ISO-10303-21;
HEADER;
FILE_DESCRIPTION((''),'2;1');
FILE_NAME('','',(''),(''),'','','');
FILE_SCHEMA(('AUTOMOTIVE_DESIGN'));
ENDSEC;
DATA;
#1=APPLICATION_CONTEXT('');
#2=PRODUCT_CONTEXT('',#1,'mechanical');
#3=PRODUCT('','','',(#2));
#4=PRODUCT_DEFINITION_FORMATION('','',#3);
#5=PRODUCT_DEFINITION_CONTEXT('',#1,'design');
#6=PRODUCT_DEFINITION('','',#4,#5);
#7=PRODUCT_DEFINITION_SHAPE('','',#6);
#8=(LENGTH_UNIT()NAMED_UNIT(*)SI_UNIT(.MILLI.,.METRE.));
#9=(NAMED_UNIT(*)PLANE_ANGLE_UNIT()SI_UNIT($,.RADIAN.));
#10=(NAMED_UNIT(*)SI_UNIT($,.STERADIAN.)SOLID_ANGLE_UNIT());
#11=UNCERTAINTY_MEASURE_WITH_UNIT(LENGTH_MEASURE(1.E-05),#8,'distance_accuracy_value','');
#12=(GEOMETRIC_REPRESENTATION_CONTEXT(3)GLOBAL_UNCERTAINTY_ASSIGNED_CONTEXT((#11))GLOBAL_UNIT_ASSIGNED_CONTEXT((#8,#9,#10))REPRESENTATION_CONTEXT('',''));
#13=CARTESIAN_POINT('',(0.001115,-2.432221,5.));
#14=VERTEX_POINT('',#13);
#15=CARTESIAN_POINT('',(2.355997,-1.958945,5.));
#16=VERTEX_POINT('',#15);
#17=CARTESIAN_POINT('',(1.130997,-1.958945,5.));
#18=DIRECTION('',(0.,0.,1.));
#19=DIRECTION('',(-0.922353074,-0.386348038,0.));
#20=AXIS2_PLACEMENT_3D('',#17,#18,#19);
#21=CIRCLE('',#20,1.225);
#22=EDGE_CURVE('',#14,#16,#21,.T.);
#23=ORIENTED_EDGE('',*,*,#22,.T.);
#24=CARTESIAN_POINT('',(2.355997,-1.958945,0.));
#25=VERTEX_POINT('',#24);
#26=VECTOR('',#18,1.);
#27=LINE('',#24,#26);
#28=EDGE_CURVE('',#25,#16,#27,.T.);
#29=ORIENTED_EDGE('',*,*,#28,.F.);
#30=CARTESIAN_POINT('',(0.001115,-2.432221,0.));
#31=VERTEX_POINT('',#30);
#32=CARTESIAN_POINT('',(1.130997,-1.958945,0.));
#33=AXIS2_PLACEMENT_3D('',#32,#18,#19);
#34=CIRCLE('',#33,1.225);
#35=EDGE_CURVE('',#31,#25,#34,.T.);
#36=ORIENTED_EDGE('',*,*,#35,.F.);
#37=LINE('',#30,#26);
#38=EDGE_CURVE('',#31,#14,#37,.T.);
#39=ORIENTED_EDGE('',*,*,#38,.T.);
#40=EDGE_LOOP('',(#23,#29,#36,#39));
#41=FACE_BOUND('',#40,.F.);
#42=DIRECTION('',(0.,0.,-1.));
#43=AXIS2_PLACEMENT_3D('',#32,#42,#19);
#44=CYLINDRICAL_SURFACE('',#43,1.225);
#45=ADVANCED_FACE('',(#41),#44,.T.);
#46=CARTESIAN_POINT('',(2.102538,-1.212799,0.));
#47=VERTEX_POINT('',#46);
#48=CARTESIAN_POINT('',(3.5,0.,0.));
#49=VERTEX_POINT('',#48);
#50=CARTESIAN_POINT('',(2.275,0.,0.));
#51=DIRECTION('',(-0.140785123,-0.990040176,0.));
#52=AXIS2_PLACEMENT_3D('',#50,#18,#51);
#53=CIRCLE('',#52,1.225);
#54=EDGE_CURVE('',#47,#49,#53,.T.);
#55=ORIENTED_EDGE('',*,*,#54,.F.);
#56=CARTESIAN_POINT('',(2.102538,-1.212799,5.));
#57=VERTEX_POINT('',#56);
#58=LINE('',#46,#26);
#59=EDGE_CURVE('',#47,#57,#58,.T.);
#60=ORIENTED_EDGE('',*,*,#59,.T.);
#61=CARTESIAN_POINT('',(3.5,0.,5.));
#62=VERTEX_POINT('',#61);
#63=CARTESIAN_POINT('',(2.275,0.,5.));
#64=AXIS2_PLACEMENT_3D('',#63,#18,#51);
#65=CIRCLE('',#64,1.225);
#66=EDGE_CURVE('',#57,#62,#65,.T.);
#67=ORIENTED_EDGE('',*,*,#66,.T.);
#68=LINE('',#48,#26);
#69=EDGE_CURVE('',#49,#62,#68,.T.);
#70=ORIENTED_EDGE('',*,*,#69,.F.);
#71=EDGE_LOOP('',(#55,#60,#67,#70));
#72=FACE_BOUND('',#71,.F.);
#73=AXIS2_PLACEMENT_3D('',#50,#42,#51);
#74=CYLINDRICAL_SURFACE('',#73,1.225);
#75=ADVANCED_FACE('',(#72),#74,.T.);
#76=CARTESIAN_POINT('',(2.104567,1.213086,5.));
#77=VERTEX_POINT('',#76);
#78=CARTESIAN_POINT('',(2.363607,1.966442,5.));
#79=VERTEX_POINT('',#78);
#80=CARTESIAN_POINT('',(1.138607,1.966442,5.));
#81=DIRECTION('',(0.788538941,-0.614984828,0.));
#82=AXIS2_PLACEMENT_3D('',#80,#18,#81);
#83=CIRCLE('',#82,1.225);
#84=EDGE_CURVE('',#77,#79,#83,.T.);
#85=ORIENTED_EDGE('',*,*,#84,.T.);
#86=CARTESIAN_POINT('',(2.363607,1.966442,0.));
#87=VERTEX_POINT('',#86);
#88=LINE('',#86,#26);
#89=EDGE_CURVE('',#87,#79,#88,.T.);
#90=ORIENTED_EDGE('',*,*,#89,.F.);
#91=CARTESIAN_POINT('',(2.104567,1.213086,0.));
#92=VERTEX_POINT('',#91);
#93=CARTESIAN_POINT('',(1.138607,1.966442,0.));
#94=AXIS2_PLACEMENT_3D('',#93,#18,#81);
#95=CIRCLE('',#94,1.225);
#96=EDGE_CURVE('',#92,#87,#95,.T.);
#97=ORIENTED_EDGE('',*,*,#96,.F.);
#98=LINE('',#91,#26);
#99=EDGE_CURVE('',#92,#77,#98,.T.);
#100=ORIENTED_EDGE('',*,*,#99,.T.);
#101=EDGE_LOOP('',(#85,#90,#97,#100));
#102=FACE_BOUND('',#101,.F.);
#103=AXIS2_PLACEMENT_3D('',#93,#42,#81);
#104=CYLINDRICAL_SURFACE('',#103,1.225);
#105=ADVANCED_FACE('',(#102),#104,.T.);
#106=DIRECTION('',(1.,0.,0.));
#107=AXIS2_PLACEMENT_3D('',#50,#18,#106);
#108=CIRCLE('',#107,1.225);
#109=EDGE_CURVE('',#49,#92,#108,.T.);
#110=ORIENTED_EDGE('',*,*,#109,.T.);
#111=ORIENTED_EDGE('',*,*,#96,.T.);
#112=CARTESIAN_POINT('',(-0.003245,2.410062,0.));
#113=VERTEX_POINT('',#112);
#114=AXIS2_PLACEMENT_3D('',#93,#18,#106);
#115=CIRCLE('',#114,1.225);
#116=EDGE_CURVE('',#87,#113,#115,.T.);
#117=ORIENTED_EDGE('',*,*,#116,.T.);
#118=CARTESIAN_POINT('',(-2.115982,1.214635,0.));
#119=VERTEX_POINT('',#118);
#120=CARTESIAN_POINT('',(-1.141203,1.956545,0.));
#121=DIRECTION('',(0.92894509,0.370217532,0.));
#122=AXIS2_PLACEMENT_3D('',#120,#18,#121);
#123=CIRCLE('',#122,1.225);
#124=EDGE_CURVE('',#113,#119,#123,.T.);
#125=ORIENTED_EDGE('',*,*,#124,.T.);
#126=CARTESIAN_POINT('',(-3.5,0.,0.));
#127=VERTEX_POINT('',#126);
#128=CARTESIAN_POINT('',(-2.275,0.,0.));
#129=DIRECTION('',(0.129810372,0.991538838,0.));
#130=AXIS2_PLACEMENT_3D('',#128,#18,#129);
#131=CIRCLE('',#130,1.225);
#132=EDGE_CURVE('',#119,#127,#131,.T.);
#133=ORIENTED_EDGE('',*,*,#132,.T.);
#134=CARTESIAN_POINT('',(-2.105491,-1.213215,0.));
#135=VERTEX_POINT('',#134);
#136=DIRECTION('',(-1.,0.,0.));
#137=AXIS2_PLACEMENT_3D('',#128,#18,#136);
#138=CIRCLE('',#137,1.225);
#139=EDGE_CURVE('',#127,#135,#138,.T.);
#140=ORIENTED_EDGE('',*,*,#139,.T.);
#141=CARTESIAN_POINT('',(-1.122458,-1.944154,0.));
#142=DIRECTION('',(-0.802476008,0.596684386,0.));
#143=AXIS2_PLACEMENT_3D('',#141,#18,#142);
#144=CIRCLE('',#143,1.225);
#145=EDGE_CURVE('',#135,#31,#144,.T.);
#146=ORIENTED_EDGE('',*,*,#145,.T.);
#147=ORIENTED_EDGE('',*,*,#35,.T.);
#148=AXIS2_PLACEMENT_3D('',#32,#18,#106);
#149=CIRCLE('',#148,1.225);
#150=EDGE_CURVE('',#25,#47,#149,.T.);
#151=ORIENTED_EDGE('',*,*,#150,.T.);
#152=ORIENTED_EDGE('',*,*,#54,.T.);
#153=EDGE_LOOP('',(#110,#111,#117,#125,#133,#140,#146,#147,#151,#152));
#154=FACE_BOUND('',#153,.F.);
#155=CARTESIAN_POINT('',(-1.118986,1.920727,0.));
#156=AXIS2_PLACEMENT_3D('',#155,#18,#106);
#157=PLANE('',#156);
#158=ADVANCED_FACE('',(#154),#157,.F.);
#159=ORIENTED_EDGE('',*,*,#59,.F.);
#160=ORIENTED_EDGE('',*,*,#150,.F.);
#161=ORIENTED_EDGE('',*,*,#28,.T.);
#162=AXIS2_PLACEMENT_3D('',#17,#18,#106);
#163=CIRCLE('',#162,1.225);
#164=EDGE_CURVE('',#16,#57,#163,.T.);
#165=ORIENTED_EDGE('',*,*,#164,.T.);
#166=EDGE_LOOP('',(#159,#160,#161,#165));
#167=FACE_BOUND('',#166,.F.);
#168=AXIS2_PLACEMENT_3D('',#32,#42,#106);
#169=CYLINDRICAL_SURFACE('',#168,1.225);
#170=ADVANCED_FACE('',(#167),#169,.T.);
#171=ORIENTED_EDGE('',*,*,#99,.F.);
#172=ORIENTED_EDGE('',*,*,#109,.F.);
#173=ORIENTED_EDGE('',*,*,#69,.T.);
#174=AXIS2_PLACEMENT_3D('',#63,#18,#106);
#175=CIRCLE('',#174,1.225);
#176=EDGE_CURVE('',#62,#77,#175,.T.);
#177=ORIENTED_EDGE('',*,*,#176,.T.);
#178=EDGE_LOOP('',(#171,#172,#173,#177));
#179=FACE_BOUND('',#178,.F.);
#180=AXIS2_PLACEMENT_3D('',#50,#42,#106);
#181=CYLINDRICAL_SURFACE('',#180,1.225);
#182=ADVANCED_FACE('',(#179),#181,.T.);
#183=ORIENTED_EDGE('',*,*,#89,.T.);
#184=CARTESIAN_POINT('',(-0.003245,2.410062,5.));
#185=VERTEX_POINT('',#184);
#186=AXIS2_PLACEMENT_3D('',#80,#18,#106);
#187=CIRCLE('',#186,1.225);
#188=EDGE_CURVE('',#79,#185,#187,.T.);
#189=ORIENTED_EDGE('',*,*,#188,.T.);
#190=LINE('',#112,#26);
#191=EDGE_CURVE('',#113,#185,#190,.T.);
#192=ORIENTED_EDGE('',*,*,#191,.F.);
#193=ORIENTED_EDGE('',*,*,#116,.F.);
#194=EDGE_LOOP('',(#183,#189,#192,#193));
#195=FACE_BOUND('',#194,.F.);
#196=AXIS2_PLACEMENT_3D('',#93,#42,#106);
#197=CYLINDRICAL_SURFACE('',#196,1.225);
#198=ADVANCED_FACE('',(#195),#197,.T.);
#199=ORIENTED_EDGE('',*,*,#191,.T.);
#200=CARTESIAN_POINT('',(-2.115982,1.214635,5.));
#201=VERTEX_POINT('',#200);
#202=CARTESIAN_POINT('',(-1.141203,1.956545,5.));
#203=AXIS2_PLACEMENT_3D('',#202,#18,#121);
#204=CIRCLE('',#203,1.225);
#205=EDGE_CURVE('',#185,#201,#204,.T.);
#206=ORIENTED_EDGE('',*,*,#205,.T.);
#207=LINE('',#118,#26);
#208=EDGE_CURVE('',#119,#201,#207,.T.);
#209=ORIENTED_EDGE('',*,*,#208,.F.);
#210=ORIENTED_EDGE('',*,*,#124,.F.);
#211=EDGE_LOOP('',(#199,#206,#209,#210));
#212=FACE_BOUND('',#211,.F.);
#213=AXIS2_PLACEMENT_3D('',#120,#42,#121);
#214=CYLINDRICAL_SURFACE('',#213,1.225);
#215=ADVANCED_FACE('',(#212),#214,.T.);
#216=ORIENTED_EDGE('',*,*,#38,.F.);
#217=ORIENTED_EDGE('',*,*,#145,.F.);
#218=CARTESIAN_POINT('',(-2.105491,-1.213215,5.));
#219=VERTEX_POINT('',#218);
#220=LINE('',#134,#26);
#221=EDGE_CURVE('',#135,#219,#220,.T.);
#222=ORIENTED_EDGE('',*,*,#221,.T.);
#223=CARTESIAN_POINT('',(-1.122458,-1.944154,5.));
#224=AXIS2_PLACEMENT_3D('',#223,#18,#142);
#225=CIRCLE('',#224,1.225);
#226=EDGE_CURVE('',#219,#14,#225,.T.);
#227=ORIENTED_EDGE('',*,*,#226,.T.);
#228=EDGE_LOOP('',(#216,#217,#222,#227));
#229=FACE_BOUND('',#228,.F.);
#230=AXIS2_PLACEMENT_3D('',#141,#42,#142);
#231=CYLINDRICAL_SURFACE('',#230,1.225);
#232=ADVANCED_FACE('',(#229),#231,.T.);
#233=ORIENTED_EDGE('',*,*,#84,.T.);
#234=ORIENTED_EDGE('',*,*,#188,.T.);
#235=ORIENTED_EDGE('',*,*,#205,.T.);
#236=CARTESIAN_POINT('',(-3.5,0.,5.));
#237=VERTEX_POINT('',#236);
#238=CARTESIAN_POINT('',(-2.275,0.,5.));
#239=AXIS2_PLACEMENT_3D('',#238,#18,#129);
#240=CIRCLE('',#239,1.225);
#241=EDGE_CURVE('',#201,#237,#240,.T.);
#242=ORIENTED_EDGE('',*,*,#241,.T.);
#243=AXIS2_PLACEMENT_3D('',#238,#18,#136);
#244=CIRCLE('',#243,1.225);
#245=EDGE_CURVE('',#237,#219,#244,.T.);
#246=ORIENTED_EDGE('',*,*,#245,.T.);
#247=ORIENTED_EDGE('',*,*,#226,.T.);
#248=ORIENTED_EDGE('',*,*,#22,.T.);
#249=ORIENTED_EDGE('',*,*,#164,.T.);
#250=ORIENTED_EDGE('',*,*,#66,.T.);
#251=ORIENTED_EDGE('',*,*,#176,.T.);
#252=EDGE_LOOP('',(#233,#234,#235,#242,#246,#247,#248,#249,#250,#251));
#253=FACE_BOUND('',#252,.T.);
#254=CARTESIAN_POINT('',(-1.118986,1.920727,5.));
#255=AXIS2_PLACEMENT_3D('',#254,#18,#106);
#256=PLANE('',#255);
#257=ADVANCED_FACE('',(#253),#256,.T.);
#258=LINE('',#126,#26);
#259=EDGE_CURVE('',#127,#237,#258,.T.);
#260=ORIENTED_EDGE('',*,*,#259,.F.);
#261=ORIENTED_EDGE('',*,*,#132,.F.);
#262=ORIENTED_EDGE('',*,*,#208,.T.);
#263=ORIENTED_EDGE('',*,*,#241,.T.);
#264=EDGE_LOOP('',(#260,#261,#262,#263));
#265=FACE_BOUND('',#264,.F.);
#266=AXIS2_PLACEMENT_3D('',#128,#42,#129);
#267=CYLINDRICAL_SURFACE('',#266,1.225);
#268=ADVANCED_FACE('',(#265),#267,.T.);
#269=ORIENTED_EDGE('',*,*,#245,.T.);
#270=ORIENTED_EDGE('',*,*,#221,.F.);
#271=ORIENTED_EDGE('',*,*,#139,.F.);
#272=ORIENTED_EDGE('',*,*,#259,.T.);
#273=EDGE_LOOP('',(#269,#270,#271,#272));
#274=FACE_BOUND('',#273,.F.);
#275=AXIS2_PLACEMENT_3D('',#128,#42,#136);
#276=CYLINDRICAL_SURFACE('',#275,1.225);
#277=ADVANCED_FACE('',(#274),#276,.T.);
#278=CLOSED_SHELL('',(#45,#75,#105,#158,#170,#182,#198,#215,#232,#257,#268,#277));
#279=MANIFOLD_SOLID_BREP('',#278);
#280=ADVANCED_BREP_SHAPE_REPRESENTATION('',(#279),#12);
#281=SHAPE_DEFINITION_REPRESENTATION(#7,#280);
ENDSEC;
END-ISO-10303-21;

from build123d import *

# Parameters (mm, degrees)
F1_DEPTH = 5


with BuildPart() as f1:
    # F0 (on Top) → F1 (new body)
    with BuildSketch(Plane.XY):
        with BuildLine():
            ThreePointArc((-0.0032454835, 2.4100617583), (-1.7444594295, 3.0227098771), (-2.115982294, 1.2146350766))
            ThreePointArc((-2.115982294, 1.2146350766), (-1.660800532, 1.0598981147), (-1.3002209241, 0.7419102056))
            ThreePointArc((-1.3002209241, 0.7419102056), (-0.5166175034, 0.9027342531), (0.0006491683, 1.5129259324))
            ThreePointArc((0.0006491683, 1.5129259324), (-0.0863815539, 1.9611244808), (-0.0032454835, 2.4100617583))
        make_face()
        with BuildLine():
            ThreePointArc((-2.115982294, 1.2146350766), (-3.083031036, 0.9207121401), (-3.5, 0))
            ThreePointArc((-3.5, 0), (-3.0790448546, -0.9241952563), (-2.1054908215, -1.213215413))
            ThreePointArc((-2.1054908215, -1.213215413), (-1.7471466082, -0.8904039187), (-1.2919668901, -0.7309383728))
            ThreePointArc((-1.2919668901, -0.7309383728), (-1.1120639399, -0.3849736616), (-1.05, 0))
            ThreePointArc((-1.05, 0), (-1.1142396096, 0.3914847583), (-1.3002209241, 0.7419102056))
            ThreePointArc((-1.3002209241, 0.7419102056), (-1.7554026862, 0.8966471675), (-2.115982294, 1.2146350766))
        make_face()
        with BuildLine():
            ThreePointArc((-1.3002209241, 0.7419102056), (-1.660800532, 1.0598981147), (-2.115982294, 1.2146350766))
            ThreePointArc((-2.115982294, 1.2146350766), (-1.7554026862, 0.8966471675), (-1.3002209241, 0.7419102056))
        make_face()
        with BuildLine():
            ThreePointArc((-1.2919668901, -0.7309383728), (-1.7471466082, -0.8904039187), (-2.1054908215, -1.213215413))
            ThreePointArc((-2.1054908215, -1.213215413), (-1.6503111034, -1.0537498671), (-1.2919668901, -0.7309383728))
        make_face()
        with BuildLine():
            ThreePointArc((-1.2919668901, -0.7309383728), (-1.6503111034, -1.0537498671), (-2.1054908215, -1.213215413))
            ThreePointArc((-2.1054908215, -1.213215413), (-1.7359979287, -3.0044336554), (0.0011148123, -2.4322211823))
            ThreePointArc((0.0011148123, -2.4322211823), (-0.0939762845, -1.9509044509), (0.0074248045, -1.4708774395))
            ThreePointArc((0.0074248045, -1.4708774395), (-0.5162756494, -0.8796500011), (-1.2919668901, -0.7309383728))
        make_face()
        with BuildLine():
            ThreePointArc((2.3559973284, -1.958944836), (2.2909030568, -1.5649350629), (2.1025382242, -1.212799215))
            ThreePointArc((2.1025382242, -1.212799215), (1.6572404008, -1.0578270547), (1.3034591042, -0.746145621))
            ThreePointArc((1.3034591042, -0.746145621), (0.5331160977, -0.8897568104), (0.0074248045, -1.4708774395))
            ThreePointArc((0.0074248045, -1.4708774395), (0.0785275261, -1.702783823), (0.1025422884, -1.9441537858))
            ThreePointArc((0.1025422884, -1.9441537858), (0.0769174053, -2.1934013116), (0.0011148123, -2.4322211823))
            ThreePointArc((0.0011148123, -2.4322211823), (1.3723672911, -3.1599300737), (2.3559973284, -1.958944836))
        make_face()
        with BuildLine():
            ThreePointArc((2.1025382242, -1.212799215), (3.0779194619, -0.9251731393), (3.5, 0))
            ThreePointArc((3.5, 0), (3.0786929463, 0.9245012969), (2.1045671053, 1.2130859938))
            ThreePointArc((2.1045671053, 1.2130859938), (1.7515384972, 0.905810587), (1.3090397977, 0.7533564147))
            ThreePointArc((1.3090397977, 0.7533564147), (1.0500084837, 0.0045590483), (1.3034591042, -0.746145621))
            ThreePointArc((1.3034591042, -0.746145621), (1.7487569276, -0.9011177813), (2.1025382242, -1.212799215))
        make_face()
        with BuildLine():
            ThreePointArc((1.3090397977, 0.7533564147), (1.6620684058, 1.0606318215), (2.1045671053, 1.2130859938))
            ThreePointArc((2.1045671053, 1.2130859938), (2.2970382233, 1.5681185753), (2.363606903, 1.9664424086))
            ThreePointArc((2.363606903, 1.9664424086), (1.3642790397, 3.170476082), (-0.0032454835, 2.4100617583))
            ThreePointArc((-0.0032454835, 2.4100617583), (0.0618394297, 2.1874422019), (0.0837967819, 1.9565452822))
            ThreePointArc((0.0837967819, 1.9565452822), (0.0628304553, 1.7308731455), (0.0006491683, 1.5129259324))
            ThreePointArc((0.0006491683, 1.5129259324), (0.5235763818, 0.9070263156), (1.3090397977, 0.7533564147))
        make_face()
        with BuildLine():
            ThreePointArc((0.0837967819, 1.9565452822), (0.0618394297, 2.1874422019), (-0.0032454835, 2.4100617583))
            ThreePointArc((-0.0032454835, 2.4100617583), (-0.0863815539, 1.9611244808), (0.0006491683, 1.5129259324))
            ThreePointArc((0.0006491683, 1.5129259324), (0.0628304553, 1.7308731455), (0.0837967819, 1.9565452822))
        make_face()
        with BuildLine():
            ThreePointArc((1.3090397977, 0.7533564147), (1.7515384972, 0.905810587), (2.1045671053, 1.2130859938))
            ThreePointArc((2.1045671053, 1.2130859938), (1.6620684058, 1.0606318215), (1.3090397977, 0.7533564147))
        make_face()
        with BuildLine():
            ThreePointArc((1.3034591042, -0.746145621), (1.6572404008, -1.0578270547), (2.1025382242, -1.212799215))
            ThreePointArc((2.1025382242, -1.212799215), (1.7487569276, -0.9011177813), (1.3034591042, -0.746145621))
        make_face()
        with BuildLine():
            ThreePointArc((0.0074248045, -1.4708774395), (-0.0939762845, -1.9509044509), (0.0011148123, -2.4322211823))
            ThreePointArc((0.0011148123, -2.4322211823), (0.0769174053, -2.1934013116), (0.1025422884, -1.9441537858))
            ThreePointArc((0.1025422884, -1.9441537858), (0.0785275261, -1.702783823), (0.0074248045, -1.4708774395))
        make_face()
        with BuildLine():
            ThreePointArc((1.3034591042, -0.746145621), (1.0500084837, 0.0045590483), (1.3090397977, 0.7533564147))
            ThreePointArc((1.3090397977, 0.7533564147), (0.5235763818, 0.9070263156), (0.0006491683, 1.5129259324))
            ThreePointArc((0.0006491683, 1.5129259324), (-0.5166175034, 0.9027342531), (-1.3002209241, 0.7419102056))
            ThreePointArc((-1.3002209241, 0.7419102056), (-1.1142396096, 0.3914847583), (-1.05, 0))
            ThreePointArc((-1.05, 0), (-1.1120639399, -0.3849736616), (-1.2919668901, -0.7309383728))
            ThreePointArc((-1.2919668901, -0.7309383728), (-0.5162756494, -0.8796500011), (0.0074248045, -1.4708774395))
            ThreePointArc((0.0074248045, -1.4708774395), (0.5331160977, -0.8897568104), (1.3034591042, -0.746145621))
        make_face()
    extrude(amount=F1_DEPTH)


solid = f1.part
